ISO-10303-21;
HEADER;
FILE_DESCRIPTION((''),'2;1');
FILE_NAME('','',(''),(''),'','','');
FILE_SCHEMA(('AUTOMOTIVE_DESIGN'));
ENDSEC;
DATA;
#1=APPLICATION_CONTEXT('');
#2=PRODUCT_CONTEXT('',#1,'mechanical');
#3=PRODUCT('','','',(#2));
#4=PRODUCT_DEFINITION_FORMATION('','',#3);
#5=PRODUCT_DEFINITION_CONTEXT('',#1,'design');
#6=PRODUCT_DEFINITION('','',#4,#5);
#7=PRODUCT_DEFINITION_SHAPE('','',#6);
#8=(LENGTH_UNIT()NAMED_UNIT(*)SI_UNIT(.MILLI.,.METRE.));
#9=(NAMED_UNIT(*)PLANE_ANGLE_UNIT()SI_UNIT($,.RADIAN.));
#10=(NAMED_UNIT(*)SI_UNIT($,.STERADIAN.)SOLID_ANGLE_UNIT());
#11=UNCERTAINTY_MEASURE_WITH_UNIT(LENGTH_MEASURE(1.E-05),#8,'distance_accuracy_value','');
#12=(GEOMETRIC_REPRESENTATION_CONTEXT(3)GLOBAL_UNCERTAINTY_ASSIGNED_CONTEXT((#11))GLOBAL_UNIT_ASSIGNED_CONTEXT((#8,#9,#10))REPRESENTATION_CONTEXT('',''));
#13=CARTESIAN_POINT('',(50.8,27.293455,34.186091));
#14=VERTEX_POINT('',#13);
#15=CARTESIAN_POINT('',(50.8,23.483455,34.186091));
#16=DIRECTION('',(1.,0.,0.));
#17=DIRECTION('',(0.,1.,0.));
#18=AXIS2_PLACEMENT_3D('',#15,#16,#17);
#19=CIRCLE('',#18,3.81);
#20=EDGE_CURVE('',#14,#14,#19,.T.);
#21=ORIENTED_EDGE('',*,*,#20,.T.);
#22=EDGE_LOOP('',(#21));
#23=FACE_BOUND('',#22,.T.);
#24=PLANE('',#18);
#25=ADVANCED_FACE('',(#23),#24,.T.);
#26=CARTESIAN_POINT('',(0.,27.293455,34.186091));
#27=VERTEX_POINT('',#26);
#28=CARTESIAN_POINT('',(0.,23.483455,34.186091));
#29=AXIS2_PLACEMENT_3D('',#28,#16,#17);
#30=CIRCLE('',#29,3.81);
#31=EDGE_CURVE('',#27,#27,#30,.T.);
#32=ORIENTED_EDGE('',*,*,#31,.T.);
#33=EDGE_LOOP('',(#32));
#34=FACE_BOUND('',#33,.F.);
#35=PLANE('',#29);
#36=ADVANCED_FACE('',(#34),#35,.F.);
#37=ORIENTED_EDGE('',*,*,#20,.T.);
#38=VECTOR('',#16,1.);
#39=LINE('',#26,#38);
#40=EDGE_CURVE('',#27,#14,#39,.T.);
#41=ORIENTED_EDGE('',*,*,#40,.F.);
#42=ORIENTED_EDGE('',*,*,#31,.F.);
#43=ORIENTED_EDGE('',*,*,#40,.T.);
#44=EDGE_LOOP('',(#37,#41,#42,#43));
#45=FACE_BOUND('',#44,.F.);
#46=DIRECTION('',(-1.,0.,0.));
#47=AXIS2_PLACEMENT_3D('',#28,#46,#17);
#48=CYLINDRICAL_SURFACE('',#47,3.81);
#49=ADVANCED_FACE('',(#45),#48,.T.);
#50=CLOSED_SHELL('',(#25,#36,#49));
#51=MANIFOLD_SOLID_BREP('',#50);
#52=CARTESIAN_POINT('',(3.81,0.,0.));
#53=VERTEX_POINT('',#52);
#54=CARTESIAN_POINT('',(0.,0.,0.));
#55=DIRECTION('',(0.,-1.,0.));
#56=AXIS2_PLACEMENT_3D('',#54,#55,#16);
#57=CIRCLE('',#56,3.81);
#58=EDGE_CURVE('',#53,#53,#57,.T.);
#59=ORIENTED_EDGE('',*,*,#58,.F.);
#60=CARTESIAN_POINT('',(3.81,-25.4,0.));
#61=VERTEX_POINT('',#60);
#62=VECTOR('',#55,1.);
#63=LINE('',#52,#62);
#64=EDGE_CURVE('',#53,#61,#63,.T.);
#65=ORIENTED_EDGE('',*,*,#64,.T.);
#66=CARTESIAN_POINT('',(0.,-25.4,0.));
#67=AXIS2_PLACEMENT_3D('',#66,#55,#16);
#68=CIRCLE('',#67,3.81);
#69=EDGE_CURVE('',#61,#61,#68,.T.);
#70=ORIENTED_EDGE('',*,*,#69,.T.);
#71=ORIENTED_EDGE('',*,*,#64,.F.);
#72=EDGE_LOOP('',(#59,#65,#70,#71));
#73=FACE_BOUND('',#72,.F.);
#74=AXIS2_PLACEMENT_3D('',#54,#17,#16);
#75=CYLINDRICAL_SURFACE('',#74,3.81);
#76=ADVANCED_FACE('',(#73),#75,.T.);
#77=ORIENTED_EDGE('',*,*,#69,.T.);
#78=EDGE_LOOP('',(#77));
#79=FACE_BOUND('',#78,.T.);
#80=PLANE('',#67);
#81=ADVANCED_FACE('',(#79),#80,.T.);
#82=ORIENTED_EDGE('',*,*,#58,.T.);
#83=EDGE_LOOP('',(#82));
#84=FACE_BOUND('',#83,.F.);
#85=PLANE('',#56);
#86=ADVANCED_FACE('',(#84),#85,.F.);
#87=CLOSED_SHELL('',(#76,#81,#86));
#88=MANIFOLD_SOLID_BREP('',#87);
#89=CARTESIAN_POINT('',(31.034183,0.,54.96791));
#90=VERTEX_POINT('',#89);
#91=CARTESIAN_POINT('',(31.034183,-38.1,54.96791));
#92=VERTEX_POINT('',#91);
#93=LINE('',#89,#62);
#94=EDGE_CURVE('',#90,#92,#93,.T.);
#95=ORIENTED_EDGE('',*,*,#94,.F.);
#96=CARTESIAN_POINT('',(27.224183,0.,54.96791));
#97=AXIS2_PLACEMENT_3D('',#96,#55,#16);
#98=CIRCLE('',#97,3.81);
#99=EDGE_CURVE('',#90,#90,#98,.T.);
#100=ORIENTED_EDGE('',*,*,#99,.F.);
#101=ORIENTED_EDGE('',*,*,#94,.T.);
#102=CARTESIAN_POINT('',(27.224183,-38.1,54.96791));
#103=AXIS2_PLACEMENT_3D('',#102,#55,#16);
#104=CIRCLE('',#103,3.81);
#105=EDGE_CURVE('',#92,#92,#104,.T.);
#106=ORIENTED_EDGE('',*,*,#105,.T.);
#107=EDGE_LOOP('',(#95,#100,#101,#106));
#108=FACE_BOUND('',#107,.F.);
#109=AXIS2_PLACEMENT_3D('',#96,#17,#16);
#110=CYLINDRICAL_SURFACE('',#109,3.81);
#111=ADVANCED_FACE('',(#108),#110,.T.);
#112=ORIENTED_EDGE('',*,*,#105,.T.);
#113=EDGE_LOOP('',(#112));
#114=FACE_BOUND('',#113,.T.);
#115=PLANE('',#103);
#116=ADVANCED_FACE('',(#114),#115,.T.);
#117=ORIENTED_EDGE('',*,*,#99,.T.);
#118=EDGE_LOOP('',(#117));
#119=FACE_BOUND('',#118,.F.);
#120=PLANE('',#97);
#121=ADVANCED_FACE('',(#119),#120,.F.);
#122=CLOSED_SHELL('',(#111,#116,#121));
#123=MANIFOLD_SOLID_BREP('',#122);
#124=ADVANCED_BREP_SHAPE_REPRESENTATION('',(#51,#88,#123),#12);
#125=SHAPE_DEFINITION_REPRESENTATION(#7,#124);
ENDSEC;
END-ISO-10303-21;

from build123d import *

# Parameters (mm, degrees)
F0_R     = 3.81
F1_DEPTH = 25.4
F2_R     = 3.81
F3_DEPTH = 38.1
F4_R     = 3.81
F5_DEPTH = 50.8


with BuildPart() as f1:
    # F0 (on Front) → F1 (new body)
    with BuildSketch(Plane.XZ):
        Circle(F0_R)
    extrude(amount=F1_DEPTH)


with BuildPart() as f3:
    # F2 (on Front) → F3 (new body)
    with BuildSketch(Plane.XZ):
        with Locations((27.224183, 54.96791)):
            Circle(F2_R)
    extrude(amount=F3_DEPTH)


with BuildPart() as f5:
    # F4 (on Right) → F5 (new body)
    with BuildSketch(Plane.YZ):
        with Locations((23.483455, 34.186091)):
            Circle(F4_R)
    extrude(amount=F5_DEPTH)


solid = Compound([f1.part, f3.part, f5.part])
